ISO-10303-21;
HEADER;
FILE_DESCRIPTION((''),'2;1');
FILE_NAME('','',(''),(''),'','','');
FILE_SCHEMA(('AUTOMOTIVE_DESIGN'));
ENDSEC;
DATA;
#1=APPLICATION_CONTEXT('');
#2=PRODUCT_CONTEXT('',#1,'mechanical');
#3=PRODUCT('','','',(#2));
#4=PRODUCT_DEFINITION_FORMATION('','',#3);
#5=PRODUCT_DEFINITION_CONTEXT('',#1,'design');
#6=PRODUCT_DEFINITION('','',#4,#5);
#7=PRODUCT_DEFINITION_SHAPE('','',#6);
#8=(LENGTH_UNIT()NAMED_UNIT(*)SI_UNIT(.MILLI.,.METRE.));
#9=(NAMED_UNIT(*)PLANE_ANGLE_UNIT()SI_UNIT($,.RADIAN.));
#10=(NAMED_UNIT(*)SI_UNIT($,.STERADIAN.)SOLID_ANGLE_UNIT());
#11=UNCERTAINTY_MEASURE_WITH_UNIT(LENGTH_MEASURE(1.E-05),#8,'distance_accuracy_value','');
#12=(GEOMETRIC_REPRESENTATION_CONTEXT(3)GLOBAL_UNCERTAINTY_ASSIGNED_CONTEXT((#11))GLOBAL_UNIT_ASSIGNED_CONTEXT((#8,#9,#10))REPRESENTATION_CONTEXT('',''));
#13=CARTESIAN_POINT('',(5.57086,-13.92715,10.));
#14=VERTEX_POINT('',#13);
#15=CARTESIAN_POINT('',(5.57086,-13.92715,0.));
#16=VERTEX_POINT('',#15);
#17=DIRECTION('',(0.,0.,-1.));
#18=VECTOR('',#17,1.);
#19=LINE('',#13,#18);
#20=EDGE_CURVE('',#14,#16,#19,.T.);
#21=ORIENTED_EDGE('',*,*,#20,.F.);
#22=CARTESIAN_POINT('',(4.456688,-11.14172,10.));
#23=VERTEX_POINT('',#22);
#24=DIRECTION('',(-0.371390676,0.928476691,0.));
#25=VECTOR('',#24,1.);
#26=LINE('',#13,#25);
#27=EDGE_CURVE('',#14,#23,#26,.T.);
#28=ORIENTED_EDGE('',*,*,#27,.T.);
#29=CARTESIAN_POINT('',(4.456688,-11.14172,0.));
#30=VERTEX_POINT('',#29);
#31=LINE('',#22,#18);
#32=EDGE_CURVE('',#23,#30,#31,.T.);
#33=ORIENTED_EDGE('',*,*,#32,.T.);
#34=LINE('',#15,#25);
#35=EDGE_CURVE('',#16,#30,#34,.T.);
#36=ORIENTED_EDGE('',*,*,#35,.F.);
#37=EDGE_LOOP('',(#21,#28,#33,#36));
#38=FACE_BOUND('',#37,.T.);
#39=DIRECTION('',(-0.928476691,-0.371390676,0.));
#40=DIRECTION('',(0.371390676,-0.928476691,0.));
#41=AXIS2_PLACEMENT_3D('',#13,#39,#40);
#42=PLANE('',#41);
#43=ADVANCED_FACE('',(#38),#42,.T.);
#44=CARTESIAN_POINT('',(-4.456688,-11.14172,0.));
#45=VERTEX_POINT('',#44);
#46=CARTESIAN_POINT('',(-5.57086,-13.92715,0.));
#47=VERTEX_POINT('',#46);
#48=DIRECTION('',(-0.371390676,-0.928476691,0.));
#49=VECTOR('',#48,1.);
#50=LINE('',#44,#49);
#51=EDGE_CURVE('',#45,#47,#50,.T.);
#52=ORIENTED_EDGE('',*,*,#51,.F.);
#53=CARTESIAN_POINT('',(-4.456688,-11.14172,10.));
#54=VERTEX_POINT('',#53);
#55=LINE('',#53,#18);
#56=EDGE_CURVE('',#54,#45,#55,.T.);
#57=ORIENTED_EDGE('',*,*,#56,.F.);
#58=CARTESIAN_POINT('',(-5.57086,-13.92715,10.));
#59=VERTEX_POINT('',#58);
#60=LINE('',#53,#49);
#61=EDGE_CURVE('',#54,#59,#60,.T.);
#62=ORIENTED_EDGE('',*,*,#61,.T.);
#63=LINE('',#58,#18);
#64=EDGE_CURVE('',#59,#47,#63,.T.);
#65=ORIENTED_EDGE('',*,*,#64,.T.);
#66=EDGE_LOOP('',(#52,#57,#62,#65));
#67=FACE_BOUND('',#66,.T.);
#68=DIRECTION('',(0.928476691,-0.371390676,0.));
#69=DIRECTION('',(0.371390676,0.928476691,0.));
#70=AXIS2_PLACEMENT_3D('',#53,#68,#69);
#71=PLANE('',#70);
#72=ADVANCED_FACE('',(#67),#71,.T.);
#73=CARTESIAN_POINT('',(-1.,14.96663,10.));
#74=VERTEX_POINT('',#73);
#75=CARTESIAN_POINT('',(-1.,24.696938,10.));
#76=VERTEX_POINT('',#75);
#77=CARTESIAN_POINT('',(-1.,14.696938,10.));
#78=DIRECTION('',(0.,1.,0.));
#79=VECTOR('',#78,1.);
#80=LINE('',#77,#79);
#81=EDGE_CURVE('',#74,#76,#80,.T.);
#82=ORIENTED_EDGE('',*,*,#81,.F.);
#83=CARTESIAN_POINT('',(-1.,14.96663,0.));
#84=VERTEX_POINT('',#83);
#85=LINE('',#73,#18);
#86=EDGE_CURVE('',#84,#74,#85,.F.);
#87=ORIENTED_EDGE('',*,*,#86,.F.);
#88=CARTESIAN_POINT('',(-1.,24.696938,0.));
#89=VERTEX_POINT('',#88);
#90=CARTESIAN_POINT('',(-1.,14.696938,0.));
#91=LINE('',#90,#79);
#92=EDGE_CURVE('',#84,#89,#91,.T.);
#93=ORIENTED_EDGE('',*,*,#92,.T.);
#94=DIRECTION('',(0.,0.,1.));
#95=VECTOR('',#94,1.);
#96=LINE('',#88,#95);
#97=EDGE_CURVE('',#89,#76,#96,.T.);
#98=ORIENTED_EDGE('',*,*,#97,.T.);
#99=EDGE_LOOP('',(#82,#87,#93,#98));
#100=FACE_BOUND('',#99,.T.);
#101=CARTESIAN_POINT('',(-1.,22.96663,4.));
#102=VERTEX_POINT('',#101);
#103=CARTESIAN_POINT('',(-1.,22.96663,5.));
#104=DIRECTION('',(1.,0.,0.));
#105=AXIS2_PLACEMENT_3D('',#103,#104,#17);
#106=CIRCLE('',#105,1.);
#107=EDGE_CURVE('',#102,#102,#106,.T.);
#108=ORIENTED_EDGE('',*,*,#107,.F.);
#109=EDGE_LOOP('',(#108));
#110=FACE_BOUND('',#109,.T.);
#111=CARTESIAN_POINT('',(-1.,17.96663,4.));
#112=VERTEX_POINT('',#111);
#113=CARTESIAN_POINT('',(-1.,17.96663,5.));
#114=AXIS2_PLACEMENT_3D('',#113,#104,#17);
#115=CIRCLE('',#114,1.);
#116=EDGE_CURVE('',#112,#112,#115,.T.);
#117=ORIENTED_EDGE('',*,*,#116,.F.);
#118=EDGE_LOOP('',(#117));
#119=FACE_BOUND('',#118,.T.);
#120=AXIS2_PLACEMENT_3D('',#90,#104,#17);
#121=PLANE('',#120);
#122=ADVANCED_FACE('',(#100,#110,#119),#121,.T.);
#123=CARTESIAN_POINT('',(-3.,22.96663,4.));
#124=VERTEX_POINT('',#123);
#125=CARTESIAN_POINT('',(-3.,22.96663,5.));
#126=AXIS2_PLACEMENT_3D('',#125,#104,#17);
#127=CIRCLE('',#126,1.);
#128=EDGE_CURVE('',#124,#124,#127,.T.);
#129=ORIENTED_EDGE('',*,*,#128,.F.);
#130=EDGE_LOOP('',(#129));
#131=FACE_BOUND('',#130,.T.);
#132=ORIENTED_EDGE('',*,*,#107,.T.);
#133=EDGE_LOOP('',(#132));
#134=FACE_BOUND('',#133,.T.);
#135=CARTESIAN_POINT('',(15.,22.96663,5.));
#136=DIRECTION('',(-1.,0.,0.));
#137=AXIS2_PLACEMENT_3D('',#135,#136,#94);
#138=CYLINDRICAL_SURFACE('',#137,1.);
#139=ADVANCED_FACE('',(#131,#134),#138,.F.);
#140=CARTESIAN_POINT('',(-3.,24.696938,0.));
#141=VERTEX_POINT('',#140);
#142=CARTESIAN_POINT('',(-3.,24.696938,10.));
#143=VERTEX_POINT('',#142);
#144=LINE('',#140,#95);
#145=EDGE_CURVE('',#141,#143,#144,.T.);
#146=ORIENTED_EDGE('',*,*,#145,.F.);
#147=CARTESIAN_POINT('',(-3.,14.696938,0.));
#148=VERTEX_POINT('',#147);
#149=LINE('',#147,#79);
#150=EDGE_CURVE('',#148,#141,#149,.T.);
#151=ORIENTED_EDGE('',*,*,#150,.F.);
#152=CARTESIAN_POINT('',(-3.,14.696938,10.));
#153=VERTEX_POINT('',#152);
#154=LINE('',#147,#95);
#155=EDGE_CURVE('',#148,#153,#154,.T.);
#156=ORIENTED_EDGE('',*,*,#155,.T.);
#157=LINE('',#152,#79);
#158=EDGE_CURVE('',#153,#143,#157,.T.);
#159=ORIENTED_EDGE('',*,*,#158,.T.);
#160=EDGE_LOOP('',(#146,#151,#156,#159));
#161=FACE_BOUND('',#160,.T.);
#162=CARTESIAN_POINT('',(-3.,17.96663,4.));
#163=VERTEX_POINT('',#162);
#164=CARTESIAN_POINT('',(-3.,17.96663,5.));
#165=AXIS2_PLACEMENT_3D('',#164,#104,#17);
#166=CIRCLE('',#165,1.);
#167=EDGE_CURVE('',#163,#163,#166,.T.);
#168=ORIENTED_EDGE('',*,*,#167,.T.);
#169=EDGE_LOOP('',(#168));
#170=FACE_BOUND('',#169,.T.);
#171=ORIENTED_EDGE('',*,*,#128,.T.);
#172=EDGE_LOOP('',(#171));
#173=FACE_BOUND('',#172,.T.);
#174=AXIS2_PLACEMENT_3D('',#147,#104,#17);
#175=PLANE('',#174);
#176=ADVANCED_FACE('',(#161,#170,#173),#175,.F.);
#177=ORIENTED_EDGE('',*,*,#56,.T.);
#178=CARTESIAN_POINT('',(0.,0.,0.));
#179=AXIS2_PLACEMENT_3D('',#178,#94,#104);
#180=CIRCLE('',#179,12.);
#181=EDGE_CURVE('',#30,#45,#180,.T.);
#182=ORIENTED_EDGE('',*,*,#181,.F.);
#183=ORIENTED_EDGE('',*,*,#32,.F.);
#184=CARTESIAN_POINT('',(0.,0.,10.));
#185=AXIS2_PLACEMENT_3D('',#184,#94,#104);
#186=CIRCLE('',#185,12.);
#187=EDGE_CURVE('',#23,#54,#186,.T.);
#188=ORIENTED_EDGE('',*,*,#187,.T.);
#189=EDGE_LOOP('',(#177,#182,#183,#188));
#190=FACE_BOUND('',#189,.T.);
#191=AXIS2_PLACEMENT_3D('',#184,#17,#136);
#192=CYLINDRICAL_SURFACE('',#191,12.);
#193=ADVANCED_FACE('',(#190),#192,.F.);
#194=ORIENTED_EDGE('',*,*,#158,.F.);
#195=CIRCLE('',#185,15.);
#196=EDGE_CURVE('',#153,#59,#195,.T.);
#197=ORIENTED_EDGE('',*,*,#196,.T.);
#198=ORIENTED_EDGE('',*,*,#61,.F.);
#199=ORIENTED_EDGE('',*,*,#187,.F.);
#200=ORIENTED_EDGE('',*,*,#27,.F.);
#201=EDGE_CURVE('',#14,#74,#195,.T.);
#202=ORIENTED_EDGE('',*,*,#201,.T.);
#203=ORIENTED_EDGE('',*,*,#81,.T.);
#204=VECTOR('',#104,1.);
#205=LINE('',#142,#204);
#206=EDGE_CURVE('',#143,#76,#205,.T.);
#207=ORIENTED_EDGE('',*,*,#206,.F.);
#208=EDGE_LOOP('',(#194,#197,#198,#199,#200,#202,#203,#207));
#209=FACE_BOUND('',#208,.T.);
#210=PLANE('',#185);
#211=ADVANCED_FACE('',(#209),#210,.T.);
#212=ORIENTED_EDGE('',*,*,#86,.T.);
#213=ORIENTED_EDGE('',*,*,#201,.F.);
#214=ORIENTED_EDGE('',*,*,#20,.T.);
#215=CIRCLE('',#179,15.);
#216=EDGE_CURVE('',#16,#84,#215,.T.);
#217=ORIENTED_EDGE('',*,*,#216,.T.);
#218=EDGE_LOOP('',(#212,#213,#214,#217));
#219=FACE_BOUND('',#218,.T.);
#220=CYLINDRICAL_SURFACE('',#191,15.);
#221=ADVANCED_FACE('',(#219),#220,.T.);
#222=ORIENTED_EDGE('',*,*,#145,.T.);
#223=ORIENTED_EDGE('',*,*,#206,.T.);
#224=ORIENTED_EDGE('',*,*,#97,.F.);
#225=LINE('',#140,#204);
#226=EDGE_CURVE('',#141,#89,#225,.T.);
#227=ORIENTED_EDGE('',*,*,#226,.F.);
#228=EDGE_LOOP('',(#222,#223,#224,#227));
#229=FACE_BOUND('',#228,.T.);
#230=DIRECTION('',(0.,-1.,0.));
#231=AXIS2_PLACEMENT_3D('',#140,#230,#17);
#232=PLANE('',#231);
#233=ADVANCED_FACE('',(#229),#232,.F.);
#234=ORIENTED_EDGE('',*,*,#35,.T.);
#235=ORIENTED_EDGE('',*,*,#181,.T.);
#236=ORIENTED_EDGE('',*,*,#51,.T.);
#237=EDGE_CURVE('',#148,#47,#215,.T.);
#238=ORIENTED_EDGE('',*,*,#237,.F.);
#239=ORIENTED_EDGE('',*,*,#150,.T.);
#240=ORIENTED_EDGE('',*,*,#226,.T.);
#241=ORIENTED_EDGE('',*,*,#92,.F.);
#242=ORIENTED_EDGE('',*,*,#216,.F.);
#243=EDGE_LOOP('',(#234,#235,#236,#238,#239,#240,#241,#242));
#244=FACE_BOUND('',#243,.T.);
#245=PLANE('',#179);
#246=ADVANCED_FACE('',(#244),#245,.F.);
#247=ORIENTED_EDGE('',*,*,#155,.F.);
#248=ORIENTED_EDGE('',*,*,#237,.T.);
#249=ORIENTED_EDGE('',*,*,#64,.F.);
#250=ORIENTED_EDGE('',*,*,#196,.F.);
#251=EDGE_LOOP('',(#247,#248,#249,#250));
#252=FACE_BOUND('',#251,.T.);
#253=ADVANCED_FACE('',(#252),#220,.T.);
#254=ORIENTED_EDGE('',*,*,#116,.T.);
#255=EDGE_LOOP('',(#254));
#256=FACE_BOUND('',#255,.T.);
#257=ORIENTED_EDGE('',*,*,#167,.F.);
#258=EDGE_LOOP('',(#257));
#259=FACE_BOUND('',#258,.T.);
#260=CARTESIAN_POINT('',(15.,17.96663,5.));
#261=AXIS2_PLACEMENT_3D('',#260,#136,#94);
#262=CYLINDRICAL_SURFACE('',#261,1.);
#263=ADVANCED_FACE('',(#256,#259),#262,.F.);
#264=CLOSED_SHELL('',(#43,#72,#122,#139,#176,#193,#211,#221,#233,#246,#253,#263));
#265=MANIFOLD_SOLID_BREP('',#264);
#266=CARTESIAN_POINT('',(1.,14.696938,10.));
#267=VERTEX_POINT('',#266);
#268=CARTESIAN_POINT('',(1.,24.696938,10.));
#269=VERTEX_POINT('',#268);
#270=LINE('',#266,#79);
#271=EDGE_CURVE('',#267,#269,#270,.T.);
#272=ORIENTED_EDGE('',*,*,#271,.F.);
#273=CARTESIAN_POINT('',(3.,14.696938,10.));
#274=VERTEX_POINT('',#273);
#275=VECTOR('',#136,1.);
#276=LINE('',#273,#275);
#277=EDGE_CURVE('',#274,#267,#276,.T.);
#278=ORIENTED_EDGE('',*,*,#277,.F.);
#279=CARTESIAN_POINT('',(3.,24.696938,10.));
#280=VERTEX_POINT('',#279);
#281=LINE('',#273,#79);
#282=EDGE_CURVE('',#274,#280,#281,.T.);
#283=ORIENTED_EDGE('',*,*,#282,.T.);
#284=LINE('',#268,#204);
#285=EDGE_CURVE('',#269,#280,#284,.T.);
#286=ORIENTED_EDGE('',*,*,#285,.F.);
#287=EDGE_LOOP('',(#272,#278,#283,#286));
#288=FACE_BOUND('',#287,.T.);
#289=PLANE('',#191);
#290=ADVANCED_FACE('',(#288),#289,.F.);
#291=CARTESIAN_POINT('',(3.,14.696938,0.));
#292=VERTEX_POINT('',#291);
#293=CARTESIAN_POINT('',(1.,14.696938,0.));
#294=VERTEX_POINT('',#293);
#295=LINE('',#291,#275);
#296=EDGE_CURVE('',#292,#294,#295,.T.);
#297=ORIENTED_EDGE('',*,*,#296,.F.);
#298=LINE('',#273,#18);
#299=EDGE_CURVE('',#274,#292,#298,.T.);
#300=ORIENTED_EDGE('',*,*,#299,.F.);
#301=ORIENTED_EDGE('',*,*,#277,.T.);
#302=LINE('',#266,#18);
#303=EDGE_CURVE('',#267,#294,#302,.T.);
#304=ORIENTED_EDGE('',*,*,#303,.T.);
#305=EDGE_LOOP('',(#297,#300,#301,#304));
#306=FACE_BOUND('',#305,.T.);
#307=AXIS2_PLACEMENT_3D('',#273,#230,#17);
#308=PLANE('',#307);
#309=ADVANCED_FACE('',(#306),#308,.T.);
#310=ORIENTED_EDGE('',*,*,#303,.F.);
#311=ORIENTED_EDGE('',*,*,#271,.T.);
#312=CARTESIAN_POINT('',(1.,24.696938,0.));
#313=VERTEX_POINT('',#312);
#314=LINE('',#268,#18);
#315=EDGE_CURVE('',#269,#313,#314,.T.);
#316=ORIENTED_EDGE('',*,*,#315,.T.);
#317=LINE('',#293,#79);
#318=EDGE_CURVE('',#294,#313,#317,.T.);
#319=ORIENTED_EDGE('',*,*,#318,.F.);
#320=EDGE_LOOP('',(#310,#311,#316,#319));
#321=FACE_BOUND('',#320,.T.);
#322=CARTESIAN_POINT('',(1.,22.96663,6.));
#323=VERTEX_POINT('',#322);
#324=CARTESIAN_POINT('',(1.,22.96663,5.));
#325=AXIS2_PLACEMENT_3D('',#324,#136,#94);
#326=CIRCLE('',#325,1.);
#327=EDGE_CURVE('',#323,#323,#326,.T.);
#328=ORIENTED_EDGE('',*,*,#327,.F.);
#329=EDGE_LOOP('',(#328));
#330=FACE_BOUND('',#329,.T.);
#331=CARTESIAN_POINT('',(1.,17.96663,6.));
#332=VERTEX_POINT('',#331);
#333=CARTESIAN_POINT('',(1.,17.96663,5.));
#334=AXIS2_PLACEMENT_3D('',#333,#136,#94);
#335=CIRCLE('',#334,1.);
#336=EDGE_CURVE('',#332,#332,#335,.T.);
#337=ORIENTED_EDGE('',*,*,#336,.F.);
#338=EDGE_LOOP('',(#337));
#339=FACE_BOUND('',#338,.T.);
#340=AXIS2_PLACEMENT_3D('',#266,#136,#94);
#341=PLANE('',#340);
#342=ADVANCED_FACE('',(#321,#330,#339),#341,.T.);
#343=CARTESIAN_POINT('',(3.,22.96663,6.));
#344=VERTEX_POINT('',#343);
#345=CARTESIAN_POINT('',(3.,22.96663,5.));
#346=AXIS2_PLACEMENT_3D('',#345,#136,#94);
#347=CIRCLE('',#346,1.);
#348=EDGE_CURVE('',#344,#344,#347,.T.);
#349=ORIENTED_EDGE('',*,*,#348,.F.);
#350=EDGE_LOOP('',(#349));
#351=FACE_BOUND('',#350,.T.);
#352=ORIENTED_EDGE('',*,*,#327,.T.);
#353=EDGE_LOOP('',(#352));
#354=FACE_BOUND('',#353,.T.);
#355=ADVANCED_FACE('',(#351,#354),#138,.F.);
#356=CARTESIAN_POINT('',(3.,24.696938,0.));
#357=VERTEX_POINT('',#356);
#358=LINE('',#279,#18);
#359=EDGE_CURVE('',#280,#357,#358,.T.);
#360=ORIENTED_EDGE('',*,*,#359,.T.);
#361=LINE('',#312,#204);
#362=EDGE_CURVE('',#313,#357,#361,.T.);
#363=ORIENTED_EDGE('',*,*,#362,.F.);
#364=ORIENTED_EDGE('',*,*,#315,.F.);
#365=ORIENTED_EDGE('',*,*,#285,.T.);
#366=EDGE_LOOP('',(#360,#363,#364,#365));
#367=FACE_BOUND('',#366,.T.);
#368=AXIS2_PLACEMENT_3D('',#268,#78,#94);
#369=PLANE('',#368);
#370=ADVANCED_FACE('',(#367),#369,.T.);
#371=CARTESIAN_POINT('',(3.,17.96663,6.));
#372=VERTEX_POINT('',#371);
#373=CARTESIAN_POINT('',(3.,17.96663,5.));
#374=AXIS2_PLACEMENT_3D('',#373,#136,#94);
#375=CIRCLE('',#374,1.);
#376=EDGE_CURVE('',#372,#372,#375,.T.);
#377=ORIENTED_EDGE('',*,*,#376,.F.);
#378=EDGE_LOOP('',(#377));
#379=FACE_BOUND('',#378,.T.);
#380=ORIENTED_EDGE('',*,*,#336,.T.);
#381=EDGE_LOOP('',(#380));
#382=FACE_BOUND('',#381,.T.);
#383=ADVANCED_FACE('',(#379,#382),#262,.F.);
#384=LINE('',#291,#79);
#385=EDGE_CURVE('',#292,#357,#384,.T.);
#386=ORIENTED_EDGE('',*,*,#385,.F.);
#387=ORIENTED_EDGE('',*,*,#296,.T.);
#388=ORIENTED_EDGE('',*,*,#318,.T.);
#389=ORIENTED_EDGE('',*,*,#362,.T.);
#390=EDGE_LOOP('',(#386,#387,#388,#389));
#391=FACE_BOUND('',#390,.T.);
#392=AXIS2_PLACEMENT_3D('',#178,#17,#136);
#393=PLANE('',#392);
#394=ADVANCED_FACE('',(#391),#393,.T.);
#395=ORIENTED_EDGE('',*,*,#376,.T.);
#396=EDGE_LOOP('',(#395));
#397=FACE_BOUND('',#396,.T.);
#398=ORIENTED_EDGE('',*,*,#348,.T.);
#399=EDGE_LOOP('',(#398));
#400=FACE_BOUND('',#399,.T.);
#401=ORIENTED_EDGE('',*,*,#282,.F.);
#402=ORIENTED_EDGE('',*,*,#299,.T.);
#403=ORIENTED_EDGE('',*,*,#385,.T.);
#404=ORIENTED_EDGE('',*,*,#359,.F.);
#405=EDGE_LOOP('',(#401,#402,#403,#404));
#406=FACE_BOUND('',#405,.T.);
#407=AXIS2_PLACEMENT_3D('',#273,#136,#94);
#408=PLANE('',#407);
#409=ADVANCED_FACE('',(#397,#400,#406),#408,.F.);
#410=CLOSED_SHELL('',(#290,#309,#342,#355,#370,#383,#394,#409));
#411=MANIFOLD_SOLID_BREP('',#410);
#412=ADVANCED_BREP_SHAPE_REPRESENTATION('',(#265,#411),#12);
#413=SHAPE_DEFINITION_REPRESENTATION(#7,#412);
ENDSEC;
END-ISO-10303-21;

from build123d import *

# Parameters (mm, degrees)
EXTRUDE_THIN1_DEPTH     = 10
SKETCH3_W               = 2
SKETCH3_H               = 10
EXTRUDE_THIN2_DEPTH     = 10
SKETCH4_W               = 2
SKETCH4_H               = 10
EXTRUDE_THIN3_DEPTH     = 10
CUT_EXTRUDE1_DEPTH      = 33.154918273
CUT_EXTRUDE1_DEPTH_BACK = 33.154918273
SKETCH5_R               = 1


with BuildPart() as part:
    # Sketch1 → Extrude-Thin1 (new body)
    with BuildSketch(Plane.XY):
        with BuildLine():
            ThreePointArc((4.456688116, -11.141720291), (0, 12), (-4.456688116, -11.141720291))
            Line((-4.456688116, -11.141720291), (-5.570860145, -13.927150363))
            ThreePointArc((-5.570860145, -13.927150363), (0, 15), (5.570860145, -13.927150363))
            Line((5.570860145, -13.927150363), (4.456688116, -11.141720291))
        make_face()
    extrude(amount=EXTRUDE_THIN1_DEPTH)

    # Sketch3 → Extrude-Thin2 (add)
    with BuildSketch(Plane.XY.offset(10)):
        with Locations((-2, 19.696938457)):
            Rectangle(SKETCH3_W, SKETCH3_H)
    extrude(amount=-EXTRUDE_THIN2_DEPTH)


with BuildPart() as body_2:
    # Sketch4 → Extrude-Thin3 (new body)
    with BuildSketch(Plane.XY):
        with Locations((2, 19.696938457)):
            Rectangle(SKETCH4_W, SKETCH4_H)
    extrude(amount=EXTRUDE_THIN3_DEPTH)


with BuildPart() as cut_extrude1_tool:
    # Sketch5 → Cut-Extrude1 (new, two sides: drawn at the far end of the back side and taken through both)
    with BuildSketch(Plane.ZY.offset(3).offset(-CUT_EXTRUDE1_DEPTH_BACK)):
        with Locations((5, 22.966629547)):
            Circle(SKETCH5_R)
        with Locations((5, 17.966629547)):
            Circle(SKETCH5_R)
    extrude(amount=CUT_EXTRUDE1_DEPTH + CUT_EXTRUDE1_DEPTH_BACK)


with BuildPart() as part_1:
    add(part.part)

    # Cut-Extrude1: cut by cut_extrude1_tool
    add(cut_extrude1_tool.part, mode=Mode.SUBTRACT)


with BuildPart() as body_2_1:
    add(body_2.part)

    # Cut-Extrude1: cut by cut_extrude1_tool
    add(cut_extrude1_tool.part, mode=Mode.SUBTRACT)


solid = Compound([part_1.part, body_2_1.part])
